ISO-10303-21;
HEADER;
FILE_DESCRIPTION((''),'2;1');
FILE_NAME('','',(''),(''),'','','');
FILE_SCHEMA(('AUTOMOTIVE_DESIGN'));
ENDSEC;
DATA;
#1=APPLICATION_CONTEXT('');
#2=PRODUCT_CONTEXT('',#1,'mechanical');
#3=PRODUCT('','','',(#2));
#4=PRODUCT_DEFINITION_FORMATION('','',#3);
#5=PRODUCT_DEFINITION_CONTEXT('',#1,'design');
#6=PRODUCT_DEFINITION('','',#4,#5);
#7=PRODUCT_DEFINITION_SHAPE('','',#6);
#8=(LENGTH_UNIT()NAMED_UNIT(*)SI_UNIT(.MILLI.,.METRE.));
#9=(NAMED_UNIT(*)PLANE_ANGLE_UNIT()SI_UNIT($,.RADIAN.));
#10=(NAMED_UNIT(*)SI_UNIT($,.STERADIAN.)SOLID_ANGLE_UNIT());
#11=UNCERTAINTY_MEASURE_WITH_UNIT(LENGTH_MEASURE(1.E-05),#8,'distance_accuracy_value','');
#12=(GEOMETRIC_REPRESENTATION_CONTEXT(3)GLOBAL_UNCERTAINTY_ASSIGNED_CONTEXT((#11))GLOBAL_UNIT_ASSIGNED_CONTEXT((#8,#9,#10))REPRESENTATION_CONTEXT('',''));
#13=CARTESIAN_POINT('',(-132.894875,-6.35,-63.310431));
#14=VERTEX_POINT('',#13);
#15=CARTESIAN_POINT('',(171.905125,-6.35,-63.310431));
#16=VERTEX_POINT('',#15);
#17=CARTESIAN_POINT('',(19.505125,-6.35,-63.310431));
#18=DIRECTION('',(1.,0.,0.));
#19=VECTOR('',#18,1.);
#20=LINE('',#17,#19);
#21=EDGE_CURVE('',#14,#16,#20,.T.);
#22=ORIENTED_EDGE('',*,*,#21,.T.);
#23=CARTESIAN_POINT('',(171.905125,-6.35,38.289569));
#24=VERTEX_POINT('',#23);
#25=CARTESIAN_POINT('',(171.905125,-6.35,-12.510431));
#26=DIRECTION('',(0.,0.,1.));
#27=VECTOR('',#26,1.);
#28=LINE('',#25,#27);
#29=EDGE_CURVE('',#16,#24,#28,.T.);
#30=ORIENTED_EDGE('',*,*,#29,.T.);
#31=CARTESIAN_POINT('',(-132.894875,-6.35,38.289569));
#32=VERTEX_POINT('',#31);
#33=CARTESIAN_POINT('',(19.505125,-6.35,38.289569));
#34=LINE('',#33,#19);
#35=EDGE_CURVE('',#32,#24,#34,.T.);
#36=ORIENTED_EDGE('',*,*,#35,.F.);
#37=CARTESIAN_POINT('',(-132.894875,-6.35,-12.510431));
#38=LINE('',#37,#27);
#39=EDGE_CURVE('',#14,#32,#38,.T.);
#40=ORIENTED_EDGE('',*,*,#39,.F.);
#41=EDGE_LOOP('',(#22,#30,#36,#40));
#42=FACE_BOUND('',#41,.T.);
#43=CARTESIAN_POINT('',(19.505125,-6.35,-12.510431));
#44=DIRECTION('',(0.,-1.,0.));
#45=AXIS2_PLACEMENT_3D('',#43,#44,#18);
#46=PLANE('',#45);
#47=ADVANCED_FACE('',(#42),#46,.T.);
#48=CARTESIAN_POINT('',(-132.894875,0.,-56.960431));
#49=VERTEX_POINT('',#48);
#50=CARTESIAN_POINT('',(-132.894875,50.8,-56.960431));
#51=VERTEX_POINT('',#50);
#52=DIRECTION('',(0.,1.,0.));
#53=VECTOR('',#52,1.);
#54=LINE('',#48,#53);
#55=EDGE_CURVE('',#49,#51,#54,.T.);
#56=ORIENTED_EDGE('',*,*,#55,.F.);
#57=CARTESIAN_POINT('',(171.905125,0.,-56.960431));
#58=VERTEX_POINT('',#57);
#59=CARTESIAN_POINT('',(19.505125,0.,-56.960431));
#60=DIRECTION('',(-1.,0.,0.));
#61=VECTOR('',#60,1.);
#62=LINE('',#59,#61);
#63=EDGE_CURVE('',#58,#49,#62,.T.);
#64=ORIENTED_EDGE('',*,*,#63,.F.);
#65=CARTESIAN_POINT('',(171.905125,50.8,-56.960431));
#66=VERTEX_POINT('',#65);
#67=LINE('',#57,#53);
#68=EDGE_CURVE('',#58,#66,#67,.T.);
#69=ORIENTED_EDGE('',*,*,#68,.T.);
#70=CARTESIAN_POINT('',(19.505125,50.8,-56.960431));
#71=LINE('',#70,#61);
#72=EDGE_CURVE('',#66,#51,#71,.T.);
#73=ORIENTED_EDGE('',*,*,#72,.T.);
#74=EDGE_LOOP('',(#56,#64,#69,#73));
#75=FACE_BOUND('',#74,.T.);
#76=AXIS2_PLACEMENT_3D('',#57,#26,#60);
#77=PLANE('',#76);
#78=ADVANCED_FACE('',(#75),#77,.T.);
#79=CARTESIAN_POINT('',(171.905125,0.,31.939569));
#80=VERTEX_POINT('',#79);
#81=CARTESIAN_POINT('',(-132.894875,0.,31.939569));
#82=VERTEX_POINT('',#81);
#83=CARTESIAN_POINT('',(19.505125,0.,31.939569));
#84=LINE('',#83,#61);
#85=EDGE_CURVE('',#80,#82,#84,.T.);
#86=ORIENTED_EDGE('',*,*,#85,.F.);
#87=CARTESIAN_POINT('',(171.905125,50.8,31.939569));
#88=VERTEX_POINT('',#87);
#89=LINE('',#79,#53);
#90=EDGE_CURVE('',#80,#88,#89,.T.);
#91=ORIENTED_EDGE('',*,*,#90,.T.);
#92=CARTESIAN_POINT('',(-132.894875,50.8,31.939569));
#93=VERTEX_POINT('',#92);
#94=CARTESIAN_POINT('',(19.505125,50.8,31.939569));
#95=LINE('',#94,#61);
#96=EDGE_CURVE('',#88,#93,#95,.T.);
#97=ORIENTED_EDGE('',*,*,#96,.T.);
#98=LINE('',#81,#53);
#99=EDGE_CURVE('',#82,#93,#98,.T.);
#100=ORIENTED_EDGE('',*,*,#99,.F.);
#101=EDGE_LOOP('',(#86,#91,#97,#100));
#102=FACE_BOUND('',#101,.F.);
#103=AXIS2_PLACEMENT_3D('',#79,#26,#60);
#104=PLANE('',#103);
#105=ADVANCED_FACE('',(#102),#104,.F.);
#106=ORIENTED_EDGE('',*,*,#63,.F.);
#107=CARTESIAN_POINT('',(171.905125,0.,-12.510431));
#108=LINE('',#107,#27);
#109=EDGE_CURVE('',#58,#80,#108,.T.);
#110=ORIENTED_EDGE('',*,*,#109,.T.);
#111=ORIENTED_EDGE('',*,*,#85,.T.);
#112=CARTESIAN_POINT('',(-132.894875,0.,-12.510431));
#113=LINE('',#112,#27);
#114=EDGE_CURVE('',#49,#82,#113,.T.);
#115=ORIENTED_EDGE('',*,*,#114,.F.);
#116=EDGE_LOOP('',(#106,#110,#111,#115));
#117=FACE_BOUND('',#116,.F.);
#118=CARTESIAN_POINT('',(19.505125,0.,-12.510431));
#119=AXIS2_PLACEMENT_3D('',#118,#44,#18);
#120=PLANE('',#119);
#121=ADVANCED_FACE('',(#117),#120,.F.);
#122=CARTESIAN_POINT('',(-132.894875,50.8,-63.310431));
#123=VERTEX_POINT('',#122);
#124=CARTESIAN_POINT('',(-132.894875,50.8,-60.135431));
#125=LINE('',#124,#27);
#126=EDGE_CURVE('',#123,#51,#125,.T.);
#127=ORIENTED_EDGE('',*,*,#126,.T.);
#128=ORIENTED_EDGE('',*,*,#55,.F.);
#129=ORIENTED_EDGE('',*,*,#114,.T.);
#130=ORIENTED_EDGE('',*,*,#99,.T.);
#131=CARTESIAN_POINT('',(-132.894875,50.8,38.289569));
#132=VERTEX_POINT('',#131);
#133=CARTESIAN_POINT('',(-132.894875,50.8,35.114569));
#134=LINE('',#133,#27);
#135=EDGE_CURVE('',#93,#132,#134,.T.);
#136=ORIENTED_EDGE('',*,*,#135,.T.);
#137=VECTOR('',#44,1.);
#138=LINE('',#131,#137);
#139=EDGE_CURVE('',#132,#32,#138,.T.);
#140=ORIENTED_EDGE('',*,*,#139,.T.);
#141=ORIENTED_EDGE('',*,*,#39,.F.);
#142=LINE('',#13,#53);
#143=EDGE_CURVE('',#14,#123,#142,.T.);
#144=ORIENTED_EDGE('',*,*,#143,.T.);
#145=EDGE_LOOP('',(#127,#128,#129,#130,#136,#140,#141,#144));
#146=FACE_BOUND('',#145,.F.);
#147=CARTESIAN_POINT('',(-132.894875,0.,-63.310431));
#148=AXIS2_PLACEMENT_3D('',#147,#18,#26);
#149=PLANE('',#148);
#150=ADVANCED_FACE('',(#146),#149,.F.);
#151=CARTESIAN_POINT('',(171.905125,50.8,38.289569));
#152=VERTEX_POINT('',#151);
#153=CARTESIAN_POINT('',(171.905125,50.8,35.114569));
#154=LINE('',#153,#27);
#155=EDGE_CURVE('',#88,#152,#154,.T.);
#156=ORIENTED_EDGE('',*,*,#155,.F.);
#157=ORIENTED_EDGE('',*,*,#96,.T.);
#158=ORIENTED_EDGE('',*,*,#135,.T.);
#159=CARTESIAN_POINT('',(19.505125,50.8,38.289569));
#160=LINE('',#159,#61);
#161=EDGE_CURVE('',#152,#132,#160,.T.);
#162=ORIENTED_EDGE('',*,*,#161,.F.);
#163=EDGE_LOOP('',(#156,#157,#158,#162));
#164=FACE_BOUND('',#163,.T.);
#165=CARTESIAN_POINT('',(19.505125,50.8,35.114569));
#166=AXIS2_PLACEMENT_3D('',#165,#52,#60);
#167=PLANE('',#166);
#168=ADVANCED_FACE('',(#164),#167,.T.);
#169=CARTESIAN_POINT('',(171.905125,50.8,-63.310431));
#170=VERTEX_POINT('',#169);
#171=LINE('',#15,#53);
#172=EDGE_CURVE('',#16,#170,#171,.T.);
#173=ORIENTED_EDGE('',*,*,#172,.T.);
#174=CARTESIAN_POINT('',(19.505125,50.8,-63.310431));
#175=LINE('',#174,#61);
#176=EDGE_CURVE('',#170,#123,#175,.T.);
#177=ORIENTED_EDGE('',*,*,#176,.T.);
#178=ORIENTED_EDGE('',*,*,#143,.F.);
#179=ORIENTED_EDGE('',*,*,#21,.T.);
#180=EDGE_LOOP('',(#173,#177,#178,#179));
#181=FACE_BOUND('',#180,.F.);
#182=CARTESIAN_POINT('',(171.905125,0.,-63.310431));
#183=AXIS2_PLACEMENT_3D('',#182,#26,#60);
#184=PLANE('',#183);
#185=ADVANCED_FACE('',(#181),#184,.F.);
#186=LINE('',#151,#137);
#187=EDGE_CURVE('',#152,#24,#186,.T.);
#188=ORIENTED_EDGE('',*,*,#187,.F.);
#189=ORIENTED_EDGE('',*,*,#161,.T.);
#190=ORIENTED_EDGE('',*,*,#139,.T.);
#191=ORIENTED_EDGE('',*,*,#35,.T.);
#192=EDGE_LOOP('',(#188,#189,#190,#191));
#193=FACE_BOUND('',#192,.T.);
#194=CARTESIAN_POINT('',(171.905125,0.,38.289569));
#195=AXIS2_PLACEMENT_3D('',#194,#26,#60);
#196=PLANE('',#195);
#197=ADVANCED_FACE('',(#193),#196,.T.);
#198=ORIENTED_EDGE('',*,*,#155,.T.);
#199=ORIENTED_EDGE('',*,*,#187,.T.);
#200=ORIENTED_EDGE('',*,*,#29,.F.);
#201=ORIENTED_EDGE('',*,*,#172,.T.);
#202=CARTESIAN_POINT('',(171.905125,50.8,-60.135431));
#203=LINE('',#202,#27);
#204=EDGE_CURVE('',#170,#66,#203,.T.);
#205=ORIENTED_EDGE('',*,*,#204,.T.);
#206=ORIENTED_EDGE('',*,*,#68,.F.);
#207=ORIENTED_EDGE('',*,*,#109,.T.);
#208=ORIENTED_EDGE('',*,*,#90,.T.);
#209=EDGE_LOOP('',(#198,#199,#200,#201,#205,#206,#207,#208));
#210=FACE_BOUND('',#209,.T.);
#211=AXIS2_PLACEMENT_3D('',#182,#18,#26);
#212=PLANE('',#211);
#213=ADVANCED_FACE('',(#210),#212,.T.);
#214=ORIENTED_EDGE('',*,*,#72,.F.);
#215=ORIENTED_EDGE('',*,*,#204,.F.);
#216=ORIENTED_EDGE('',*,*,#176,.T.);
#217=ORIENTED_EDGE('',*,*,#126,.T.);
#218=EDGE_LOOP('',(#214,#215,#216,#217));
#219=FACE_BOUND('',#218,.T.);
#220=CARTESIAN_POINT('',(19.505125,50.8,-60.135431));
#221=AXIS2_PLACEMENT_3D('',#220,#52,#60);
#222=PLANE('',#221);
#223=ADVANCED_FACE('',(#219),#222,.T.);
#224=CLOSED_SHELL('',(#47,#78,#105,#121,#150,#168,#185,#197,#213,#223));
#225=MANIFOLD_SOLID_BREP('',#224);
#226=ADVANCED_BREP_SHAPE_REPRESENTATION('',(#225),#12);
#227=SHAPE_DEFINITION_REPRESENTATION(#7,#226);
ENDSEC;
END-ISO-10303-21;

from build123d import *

# Parameters (mm, degrees)
F0_W     = 304.8
F0_H     = 101.6
F1_DEPTH = 6.35
F2_W     = 304.8
F2_H     = 6.35
F3_DEPTH = 50.8
F4_DEPTH = 50.8


with BuildPart() as f1:
    # F0 (on Front) → F1 (new body)
    with BuildSketch(Plane.XZ):
        with Locations((19.505125, -12.510431)):
            Rectangle(F0_W, F0_H)
    extrude(amount=F1_DEPTH)

    # F2 (on face) → F3 (join)
    with BuildSketch(Plane(origin=(0, 0, 0), x_dir=(-1, 0, 0), z_dir=(0, 1, 0))):
        with Locations((-19.505125, 35.114569)):
            Rectangle(F2_W, F2_H)
    extrude(amount=F3_DEPTH)

    # F2 (on face) → F4 (join)
    with BuildSketch(Plane(origin=(0, 0, 0), x_dir=(-1, 0, 0), z_dir=(0, 1, 0))):
        with Locations((-19.505125, -60.135431)):
            Rectangle(F2_W, F2_H)
    extrude(amount=F4_DEPTH)


solid = f1.part
